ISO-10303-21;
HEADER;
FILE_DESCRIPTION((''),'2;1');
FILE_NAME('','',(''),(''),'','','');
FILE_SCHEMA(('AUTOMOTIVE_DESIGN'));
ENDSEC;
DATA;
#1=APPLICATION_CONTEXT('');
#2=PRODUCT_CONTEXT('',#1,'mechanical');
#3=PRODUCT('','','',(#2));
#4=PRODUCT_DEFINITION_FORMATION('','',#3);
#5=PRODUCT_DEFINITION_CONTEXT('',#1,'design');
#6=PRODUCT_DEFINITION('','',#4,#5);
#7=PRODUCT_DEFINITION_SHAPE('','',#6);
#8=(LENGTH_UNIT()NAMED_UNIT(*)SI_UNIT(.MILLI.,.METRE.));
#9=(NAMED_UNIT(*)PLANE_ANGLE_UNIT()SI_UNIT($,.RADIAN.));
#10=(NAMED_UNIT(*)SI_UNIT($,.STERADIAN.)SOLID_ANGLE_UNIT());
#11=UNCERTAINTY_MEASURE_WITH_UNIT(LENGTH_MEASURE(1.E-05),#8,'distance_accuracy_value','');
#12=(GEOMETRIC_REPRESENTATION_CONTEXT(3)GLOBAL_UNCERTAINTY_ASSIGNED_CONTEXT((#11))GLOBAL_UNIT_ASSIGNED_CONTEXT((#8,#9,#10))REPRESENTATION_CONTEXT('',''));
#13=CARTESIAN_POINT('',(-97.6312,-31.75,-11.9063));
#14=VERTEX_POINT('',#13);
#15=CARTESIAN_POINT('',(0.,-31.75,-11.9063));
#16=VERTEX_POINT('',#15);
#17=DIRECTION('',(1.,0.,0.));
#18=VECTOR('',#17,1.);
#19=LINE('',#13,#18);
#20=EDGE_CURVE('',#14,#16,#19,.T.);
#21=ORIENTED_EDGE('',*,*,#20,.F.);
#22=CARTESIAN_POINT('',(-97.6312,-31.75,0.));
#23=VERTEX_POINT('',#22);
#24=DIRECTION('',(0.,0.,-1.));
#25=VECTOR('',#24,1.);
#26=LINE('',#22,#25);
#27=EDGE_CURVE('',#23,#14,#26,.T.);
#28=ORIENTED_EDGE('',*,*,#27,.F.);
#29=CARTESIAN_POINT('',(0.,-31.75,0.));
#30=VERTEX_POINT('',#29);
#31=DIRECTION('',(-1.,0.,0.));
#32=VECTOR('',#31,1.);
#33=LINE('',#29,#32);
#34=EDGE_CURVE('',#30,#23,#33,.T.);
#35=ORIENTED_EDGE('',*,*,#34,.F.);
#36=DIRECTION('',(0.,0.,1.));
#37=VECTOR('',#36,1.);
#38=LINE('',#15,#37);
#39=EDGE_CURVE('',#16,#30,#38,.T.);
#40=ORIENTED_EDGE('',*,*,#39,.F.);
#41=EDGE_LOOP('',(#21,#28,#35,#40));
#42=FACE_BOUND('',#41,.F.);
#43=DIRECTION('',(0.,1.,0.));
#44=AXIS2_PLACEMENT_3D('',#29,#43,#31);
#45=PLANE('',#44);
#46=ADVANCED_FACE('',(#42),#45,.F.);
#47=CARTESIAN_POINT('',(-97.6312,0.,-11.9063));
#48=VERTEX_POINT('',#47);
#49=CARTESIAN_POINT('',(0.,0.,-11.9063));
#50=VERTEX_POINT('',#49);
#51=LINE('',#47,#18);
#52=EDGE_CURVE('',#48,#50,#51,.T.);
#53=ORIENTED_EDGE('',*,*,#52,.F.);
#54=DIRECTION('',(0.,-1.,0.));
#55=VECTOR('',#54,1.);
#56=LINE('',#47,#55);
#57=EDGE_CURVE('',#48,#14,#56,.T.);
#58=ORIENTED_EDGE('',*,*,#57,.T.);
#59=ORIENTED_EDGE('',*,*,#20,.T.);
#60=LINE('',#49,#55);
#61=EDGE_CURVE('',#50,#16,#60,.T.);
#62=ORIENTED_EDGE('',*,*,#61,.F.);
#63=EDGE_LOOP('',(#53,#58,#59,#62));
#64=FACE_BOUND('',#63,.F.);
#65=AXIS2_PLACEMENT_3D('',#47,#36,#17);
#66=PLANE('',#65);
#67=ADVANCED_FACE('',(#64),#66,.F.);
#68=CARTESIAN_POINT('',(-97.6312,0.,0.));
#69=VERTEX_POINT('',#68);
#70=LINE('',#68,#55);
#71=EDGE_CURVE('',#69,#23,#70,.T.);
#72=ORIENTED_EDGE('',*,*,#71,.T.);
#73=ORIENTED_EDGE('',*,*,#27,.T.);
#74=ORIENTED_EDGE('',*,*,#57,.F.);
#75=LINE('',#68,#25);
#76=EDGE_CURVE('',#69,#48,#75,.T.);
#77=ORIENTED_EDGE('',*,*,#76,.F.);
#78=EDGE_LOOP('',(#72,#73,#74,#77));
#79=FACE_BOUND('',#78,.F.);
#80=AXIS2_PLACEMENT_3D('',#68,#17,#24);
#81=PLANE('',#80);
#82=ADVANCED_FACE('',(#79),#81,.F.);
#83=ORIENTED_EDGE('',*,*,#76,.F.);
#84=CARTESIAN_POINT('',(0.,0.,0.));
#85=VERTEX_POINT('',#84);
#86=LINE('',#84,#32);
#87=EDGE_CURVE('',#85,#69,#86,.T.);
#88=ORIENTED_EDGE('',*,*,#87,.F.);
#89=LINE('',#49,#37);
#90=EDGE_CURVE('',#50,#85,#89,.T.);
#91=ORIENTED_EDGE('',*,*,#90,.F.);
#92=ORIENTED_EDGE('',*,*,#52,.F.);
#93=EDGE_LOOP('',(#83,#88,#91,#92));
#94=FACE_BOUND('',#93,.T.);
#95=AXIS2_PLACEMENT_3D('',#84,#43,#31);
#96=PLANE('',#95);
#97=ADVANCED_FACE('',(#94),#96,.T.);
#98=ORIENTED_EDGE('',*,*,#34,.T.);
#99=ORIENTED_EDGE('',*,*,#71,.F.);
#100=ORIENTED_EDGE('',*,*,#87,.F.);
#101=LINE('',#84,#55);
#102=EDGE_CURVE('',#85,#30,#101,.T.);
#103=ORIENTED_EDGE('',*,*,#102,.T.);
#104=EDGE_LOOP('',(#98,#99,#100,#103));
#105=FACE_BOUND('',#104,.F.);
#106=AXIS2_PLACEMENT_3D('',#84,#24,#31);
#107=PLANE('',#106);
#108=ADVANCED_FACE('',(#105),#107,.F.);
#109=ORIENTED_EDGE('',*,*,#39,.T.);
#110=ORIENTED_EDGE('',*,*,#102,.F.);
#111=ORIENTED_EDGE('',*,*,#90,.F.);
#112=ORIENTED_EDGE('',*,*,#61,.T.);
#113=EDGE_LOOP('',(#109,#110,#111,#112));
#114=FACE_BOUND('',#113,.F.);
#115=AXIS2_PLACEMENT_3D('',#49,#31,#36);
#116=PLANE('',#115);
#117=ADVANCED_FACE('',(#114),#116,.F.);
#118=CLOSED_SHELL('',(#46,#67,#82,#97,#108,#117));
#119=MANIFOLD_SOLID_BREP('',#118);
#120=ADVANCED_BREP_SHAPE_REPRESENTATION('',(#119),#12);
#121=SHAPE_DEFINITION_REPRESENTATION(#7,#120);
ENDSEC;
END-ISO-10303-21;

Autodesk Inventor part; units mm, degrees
ref_plane "YZ Plane" through (0, 0, 0) normal (1, 0, 0) x (0, 1, 0)
ref_plane "XZ Plane" through (0, 0, 0) normal (0, 1, 0) x (-1, 0, 0)
ref_plane "XY Plane" through (0, 0, 0) normal (0, 0, 1) x (1, 0, 0)
sketch "Sketch1" plane through (0, 0, 0) normal (0, 1, 0) x (-1, 0, 0)
  line L0 (0, 0) -> (97.6312, 0)
  line L1 (97.6312, 0) -> (97.6312, -11.9063)
  line L2 (97.6312, -11.9063) -> (0, -11.9063)
  line L3 (0, -11.9063) -> (0, 0)
  dimension "d0" = 11.9062
  dimension "d1" = 97.6312
extrude "Extrusion1" add sketch "Sketch1" against normal blind 31.75
properties part number "Key--Black"
